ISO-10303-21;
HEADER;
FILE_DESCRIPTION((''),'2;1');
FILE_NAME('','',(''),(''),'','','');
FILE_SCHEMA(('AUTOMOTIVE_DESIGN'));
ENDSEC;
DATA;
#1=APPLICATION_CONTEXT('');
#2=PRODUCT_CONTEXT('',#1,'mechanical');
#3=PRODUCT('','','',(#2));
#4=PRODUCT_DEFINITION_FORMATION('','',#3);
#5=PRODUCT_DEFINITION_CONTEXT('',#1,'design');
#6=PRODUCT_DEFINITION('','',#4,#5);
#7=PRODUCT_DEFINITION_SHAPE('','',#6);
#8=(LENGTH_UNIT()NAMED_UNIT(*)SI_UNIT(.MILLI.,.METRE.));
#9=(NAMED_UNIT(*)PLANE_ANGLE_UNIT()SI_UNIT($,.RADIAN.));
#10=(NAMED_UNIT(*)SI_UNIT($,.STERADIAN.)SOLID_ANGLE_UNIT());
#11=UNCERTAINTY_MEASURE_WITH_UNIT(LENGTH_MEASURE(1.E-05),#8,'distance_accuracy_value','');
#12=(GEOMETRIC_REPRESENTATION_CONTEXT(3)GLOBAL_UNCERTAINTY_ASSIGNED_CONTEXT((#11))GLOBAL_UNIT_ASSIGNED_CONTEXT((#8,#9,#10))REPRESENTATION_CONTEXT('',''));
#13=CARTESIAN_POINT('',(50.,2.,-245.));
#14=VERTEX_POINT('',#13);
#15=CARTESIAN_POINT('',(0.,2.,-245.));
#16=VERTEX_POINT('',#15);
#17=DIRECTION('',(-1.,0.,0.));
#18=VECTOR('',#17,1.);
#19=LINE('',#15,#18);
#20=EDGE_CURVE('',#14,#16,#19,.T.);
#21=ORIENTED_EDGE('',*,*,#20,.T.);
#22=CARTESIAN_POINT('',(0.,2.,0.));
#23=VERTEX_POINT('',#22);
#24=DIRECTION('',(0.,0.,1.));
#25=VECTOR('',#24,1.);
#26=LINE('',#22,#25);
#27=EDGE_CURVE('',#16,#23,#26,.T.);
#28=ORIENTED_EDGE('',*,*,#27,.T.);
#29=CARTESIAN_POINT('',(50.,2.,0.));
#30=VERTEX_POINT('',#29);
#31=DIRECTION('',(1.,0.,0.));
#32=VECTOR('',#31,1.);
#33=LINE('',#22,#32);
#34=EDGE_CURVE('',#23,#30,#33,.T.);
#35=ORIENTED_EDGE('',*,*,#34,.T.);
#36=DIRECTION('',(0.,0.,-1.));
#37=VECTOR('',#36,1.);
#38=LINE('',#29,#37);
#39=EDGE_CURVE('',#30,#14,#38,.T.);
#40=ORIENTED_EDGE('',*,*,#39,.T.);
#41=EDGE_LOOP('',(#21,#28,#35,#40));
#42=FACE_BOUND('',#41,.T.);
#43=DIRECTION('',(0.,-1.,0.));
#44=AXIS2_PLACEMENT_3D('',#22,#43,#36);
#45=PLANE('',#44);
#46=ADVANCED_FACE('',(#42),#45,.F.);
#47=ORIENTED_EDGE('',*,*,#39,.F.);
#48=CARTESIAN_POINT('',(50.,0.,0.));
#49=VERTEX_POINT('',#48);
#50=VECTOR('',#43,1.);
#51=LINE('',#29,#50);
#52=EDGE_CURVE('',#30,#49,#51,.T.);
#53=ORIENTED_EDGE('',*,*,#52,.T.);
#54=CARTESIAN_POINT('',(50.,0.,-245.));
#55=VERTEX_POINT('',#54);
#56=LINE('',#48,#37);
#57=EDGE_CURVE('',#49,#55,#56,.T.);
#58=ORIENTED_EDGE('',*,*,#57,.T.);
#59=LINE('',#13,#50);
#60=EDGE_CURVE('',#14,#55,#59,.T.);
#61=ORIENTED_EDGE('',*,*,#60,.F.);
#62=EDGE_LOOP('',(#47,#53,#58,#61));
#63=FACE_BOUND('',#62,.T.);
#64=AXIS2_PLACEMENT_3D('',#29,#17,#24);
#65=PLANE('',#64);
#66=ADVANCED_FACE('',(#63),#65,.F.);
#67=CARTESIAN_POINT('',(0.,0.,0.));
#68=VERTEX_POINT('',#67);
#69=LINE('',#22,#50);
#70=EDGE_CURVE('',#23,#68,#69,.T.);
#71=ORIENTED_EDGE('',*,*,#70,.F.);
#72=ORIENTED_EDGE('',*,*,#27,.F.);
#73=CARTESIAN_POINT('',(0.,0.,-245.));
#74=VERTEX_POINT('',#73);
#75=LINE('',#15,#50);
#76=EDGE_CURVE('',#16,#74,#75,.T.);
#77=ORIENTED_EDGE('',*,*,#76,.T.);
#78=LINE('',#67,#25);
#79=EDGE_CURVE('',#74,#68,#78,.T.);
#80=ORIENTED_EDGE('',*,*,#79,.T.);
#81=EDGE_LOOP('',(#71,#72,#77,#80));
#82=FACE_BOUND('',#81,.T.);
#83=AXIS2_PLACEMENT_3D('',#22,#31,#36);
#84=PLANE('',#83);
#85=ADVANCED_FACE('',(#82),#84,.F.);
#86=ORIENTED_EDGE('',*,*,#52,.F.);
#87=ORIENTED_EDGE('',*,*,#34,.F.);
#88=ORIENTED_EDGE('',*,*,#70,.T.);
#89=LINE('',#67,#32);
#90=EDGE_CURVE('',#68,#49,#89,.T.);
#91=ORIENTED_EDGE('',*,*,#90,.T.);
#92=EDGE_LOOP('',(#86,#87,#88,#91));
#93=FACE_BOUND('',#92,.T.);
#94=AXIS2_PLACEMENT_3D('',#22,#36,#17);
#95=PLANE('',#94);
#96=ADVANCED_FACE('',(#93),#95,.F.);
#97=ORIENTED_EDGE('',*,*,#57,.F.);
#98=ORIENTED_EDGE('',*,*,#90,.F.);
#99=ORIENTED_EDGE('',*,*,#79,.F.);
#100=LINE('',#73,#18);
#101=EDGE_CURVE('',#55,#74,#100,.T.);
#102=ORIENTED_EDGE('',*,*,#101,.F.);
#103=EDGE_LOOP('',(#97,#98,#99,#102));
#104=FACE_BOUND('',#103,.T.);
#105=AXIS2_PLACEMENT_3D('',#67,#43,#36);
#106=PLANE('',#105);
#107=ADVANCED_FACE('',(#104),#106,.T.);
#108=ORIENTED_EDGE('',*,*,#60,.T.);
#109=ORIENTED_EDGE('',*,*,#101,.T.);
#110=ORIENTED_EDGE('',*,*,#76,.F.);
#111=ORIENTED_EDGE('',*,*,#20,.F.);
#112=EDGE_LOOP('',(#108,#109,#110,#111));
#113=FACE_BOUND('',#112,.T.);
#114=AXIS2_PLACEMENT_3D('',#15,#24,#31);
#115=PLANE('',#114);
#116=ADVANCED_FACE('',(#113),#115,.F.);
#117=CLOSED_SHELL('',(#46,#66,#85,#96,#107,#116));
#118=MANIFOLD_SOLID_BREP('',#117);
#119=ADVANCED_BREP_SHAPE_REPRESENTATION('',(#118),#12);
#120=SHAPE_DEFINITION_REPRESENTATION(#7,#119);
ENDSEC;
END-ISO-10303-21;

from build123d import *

# Parameters (mm, degrees)
SKETCH_1_W      = 50
SKETCH_1_H      = 245
EXTRUDE_1_DEPTH = 2


with BuildPart() as part:
    # 草图1 → 凸台-拉伸1 (new body)
    with BuildSketch(Plane(origin=(0, 0, 0), x_dir=(1, 0, 0), z_dir=(0, 1, 0))):
        with Locations((25, 122.5)):
            Rectangle(SKETCH_1_W, SKETCH_1_H)
    extrude(amount=EXTRUDE_1_DEPTH)


solid = part.part
